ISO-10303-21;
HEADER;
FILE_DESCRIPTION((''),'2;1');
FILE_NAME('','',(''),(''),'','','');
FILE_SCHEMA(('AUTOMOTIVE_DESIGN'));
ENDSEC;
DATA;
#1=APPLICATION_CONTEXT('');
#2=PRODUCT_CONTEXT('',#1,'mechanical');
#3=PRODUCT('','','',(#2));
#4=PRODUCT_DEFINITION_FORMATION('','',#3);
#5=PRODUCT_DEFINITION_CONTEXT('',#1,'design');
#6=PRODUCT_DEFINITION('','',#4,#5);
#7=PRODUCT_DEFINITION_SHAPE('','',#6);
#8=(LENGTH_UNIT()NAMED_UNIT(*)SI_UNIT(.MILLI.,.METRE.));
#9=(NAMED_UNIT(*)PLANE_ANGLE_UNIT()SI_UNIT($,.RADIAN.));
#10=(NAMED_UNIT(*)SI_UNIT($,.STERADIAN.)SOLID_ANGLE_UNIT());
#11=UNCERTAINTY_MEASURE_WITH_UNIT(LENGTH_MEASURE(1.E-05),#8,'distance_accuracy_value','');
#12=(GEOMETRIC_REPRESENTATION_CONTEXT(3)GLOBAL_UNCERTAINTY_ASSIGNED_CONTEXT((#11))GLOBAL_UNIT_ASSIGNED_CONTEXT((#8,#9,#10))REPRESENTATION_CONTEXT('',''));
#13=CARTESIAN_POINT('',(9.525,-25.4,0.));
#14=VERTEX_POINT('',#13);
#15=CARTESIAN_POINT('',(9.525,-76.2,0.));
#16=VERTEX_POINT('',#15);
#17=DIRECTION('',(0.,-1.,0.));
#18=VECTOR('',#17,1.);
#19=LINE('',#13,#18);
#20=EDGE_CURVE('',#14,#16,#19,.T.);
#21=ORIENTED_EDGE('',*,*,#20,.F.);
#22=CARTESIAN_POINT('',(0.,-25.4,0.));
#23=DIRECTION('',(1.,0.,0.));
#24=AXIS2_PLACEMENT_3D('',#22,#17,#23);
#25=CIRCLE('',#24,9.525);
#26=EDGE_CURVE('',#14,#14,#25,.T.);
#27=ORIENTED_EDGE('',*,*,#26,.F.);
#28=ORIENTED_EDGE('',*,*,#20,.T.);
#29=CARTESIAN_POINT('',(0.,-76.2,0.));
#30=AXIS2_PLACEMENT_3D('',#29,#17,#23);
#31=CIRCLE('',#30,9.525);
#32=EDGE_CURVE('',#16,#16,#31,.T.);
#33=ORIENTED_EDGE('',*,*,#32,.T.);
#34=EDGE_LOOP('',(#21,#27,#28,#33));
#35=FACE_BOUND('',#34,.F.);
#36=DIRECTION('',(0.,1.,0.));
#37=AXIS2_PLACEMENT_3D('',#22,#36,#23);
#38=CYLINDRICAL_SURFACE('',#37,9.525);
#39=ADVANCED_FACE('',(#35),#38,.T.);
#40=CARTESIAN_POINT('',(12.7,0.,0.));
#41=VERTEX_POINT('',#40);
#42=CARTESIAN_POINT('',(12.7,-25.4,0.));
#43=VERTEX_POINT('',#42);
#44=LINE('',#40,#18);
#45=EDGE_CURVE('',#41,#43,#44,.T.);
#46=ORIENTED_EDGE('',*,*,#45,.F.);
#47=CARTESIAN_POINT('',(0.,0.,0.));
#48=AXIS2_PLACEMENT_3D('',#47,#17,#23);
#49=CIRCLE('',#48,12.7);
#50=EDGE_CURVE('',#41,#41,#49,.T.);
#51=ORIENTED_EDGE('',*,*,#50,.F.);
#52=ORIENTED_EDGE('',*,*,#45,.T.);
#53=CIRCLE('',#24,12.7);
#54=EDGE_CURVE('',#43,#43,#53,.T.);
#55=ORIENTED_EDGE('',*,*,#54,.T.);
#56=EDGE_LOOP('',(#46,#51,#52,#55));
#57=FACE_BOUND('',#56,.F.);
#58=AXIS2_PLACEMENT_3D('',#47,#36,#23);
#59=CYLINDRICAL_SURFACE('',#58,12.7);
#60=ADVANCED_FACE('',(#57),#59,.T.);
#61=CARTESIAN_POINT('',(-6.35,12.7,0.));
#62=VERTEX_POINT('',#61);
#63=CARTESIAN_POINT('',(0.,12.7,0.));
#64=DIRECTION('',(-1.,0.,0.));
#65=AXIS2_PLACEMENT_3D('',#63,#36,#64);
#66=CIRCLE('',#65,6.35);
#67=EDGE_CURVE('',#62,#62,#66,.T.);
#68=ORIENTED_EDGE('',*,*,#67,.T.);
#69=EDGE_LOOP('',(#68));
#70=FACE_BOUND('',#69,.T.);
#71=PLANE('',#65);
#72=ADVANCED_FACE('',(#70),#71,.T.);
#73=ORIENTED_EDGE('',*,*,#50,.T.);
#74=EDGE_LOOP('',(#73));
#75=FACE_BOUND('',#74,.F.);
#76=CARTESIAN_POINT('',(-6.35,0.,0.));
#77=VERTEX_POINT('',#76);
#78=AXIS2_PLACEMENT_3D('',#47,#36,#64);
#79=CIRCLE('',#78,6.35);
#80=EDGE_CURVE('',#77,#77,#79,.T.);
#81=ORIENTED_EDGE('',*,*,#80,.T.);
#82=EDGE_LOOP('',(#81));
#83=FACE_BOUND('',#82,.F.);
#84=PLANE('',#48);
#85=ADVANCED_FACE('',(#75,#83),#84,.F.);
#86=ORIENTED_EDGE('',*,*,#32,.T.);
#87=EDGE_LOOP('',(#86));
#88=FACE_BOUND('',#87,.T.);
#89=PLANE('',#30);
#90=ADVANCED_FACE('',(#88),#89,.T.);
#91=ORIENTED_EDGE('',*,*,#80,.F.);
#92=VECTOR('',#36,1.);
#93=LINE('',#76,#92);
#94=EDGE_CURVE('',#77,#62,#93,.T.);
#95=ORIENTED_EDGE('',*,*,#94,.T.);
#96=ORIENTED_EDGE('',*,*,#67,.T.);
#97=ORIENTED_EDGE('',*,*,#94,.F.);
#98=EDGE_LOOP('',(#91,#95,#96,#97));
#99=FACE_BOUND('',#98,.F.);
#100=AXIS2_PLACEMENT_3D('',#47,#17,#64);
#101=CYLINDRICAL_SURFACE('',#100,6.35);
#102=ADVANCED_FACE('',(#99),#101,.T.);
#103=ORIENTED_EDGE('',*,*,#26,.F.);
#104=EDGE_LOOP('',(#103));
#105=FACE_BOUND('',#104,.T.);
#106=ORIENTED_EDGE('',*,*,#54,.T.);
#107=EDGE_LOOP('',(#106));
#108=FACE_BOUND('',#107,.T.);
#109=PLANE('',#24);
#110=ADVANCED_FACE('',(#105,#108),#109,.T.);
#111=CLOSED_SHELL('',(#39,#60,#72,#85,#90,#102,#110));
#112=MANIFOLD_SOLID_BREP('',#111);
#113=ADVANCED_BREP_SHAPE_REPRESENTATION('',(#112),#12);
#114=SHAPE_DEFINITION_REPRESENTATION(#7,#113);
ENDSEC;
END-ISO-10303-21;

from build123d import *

# Parameters (mm, degrees)
F0_R     = 12.7
F1_DEPTH = 25.4
F2_R     = 6.35
F3_DEPTH = 12.7
F4_R     = 9.525
F5_DEPTH = 50.8


with BuildPart() as f1:
    # F0 (on Front) → F1 (new body)
    with BuildSketch(Plane.XZ):
        Circle(F0_R)
    extrude(amount=F1_DEPTH)

    # F2 (on face) → F3 (join)
    with BuildSketch(Plane(origin=(0, 0, 0), x_dir=(-1, 0, 0), z_dir=(0, 1, 0))):
        Circle(F2_R)
    extrude(amount=F3_DEPTH)

    # F4 (on face) → F5 (join)
    with BuildSketch(Plane.XZ.offset(25.4)):
        Circle(F4_R)
    extrude(amount=F5_DEPTH)


solid = f1.part
